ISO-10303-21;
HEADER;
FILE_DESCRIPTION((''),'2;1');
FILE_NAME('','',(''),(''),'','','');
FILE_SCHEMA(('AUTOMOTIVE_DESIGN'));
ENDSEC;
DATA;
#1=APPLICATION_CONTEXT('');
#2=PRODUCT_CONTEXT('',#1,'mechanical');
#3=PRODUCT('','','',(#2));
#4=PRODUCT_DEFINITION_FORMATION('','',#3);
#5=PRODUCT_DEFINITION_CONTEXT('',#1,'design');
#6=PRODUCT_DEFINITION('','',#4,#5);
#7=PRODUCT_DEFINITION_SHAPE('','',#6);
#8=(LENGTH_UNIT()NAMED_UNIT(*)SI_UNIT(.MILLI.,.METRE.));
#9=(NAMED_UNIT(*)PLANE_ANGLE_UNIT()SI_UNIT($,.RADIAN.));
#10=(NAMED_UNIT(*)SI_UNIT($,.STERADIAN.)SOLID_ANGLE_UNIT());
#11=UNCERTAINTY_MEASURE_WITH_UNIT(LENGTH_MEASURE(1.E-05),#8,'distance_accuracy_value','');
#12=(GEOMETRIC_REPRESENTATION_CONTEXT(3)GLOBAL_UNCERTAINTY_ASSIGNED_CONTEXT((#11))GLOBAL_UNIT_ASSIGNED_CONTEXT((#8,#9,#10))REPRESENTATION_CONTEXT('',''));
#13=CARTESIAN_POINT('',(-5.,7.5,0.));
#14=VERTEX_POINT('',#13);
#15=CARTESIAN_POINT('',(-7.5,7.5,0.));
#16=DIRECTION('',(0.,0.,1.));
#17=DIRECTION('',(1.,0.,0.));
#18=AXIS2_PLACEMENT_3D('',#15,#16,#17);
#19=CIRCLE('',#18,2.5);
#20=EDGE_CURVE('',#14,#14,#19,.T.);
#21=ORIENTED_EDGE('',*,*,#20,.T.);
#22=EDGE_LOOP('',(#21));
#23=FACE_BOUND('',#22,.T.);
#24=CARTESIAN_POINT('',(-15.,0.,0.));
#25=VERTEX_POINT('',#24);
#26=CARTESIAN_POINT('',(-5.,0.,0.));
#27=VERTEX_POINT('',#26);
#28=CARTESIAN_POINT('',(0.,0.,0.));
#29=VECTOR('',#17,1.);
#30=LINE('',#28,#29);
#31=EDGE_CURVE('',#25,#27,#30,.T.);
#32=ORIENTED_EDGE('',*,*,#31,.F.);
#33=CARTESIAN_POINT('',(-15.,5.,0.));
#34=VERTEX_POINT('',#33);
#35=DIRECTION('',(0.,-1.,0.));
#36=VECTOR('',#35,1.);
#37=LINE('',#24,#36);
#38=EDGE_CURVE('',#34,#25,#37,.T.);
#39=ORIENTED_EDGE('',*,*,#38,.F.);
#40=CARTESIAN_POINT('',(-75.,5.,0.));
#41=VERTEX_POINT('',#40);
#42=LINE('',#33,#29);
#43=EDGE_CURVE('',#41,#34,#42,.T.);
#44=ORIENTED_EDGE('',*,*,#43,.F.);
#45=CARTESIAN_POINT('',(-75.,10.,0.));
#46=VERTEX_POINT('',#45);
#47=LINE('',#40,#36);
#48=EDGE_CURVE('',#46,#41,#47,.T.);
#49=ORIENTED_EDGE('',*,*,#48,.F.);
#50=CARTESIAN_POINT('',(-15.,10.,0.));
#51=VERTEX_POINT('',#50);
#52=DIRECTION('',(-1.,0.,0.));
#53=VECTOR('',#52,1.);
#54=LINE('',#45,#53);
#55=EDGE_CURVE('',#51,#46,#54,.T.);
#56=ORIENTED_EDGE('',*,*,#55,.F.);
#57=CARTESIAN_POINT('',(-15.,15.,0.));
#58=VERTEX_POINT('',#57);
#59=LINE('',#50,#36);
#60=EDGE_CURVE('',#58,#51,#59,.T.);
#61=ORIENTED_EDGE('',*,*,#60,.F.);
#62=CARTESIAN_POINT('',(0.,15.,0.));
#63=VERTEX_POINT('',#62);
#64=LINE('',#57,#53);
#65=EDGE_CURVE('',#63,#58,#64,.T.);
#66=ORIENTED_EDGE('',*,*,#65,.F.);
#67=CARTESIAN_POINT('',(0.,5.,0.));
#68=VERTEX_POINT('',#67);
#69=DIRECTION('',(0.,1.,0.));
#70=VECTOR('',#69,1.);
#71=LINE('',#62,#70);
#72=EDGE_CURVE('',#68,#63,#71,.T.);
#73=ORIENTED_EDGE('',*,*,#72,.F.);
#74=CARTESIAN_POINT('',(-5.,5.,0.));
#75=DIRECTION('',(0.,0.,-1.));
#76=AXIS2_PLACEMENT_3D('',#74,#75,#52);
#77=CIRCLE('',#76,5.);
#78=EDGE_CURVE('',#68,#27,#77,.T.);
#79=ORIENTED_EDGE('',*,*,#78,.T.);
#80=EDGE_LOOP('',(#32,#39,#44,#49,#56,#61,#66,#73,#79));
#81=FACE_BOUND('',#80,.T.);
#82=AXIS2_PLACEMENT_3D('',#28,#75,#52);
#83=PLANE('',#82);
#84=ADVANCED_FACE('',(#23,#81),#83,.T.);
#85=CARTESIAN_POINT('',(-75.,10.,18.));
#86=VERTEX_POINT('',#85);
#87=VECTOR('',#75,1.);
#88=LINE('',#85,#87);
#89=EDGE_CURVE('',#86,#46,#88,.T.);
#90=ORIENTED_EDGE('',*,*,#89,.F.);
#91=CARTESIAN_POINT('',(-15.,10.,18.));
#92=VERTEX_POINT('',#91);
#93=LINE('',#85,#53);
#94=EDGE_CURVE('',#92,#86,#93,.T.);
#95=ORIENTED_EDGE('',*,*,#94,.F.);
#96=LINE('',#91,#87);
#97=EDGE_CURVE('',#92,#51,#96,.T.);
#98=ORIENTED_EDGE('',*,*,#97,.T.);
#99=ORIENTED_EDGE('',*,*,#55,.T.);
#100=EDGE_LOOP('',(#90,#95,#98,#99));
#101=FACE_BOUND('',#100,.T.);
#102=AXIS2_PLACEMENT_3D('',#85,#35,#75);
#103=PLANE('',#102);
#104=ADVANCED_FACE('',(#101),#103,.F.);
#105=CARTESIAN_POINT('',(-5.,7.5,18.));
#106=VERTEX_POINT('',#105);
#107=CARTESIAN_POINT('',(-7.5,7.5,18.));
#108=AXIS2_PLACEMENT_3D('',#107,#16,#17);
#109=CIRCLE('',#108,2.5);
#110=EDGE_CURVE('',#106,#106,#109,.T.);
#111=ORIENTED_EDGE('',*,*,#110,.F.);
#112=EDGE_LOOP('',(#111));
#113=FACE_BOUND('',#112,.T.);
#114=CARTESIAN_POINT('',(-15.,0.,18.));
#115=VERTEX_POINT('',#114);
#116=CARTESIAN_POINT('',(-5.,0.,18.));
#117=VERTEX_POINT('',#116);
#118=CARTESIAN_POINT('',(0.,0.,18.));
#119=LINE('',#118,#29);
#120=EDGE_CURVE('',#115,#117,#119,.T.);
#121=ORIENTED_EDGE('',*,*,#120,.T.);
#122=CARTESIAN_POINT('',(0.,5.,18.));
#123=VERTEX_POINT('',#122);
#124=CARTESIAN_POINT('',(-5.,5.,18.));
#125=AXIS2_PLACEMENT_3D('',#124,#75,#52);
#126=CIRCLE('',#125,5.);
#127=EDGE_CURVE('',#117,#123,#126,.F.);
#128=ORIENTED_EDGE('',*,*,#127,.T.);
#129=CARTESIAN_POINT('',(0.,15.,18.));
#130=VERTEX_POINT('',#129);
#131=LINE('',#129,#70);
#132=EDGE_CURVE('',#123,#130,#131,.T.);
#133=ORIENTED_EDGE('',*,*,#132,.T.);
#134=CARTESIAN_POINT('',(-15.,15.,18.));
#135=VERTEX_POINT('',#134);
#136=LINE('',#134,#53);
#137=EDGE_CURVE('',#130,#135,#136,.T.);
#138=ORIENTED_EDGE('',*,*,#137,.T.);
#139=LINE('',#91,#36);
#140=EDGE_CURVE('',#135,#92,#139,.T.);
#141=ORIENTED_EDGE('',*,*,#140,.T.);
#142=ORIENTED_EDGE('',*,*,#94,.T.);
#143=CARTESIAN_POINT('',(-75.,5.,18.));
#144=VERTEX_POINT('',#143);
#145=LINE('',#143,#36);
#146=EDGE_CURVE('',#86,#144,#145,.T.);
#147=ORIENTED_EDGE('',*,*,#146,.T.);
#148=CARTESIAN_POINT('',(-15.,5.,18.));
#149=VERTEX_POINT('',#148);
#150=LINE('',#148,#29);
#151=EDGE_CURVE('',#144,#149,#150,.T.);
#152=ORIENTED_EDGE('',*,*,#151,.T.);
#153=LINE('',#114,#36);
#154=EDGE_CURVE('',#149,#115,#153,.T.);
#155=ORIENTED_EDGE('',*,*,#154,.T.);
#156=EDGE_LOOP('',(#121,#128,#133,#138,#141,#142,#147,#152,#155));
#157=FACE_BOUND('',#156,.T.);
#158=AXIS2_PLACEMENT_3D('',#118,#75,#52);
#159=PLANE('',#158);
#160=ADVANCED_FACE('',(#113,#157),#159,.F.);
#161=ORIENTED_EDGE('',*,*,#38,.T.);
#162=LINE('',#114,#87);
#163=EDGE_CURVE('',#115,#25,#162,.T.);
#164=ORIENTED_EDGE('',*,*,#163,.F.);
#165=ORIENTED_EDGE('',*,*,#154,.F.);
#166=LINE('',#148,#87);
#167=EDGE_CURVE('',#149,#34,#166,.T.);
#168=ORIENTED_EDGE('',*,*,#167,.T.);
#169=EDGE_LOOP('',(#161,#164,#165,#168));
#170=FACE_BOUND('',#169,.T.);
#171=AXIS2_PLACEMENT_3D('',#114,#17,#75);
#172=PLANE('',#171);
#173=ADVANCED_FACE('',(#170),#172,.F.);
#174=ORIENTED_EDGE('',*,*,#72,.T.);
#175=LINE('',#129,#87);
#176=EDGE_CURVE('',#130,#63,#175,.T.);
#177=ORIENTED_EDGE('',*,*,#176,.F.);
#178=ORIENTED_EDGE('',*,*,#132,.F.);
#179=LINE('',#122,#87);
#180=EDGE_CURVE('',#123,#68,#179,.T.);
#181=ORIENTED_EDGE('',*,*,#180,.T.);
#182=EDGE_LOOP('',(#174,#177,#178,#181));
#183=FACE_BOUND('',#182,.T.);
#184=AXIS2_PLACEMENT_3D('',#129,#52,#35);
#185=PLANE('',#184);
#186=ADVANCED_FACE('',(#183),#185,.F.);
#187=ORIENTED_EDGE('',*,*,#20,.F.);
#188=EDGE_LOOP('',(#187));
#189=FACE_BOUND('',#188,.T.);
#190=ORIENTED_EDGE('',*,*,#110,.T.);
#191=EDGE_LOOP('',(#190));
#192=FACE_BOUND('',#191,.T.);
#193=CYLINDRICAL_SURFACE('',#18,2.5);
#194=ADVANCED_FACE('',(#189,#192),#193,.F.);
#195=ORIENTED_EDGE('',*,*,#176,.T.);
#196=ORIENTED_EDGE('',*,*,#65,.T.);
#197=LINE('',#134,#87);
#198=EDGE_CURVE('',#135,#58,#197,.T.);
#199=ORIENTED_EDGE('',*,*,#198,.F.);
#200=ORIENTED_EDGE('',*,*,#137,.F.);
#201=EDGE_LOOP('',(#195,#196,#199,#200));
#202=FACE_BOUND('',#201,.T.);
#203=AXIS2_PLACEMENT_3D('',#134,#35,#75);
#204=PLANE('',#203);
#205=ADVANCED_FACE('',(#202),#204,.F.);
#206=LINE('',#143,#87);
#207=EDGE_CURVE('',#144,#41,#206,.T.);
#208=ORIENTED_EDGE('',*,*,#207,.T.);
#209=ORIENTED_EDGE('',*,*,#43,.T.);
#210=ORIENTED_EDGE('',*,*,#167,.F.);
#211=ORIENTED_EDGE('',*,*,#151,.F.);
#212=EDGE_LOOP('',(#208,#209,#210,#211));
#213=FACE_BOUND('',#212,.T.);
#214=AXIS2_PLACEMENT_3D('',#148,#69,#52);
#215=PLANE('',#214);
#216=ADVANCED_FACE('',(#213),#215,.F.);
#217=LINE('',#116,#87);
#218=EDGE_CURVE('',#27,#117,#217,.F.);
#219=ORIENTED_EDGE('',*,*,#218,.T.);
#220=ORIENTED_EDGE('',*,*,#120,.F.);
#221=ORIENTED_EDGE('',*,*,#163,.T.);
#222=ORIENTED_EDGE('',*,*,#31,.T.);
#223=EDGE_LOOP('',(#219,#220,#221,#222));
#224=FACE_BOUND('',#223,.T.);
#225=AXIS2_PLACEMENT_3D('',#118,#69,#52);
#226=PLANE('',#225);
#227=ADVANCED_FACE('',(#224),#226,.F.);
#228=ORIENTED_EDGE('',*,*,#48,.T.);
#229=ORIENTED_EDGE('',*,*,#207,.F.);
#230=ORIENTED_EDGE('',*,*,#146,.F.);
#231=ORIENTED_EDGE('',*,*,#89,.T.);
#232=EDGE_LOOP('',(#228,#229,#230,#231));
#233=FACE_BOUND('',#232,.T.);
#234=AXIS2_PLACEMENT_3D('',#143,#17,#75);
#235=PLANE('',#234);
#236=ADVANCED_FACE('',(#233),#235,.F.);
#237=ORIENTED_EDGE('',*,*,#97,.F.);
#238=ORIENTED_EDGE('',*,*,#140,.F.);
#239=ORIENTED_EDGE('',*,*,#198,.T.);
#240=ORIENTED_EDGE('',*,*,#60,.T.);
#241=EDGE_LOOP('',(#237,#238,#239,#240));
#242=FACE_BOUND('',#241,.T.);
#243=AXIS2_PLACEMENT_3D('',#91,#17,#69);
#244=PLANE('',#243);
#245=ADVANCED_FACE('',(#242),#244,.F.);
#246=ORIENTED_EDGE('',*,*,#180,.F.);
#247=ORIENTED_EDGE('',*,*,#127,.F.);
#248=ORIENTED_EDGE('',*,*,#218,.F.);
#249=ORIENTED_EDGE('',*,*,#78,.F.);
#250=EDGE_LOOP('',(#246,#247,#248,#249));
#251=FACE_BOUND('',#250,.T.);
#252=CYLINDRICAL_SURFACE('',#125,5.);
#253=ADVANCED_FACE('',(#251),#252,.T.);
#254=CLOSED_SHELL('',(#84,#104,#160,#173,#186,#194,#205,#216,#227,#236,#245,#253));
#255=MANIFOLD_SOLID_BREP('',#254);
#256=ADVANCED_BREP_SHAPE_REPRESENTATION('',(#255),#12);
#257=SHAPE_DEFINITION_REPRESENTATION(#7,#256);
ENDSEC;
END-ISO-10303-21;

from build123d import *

# Parameters (mm, degrees)
AUFSATZ_LINEAR_AUSTRAGEN1_DEPTH = 18
SKIZZE2_R                       = 2.5
SCHNITT_LINEAR_AUSTRAGEN1_DEPTH = 19
VERRUNDUNG1_R                   = 5


with BuildPart() as part:
    # Skizze1 → Aufsatz-Linear austragen1 (new body)
    with BuildSketch(Plane.XY):
        Polygon((0, 0), (-15, 0), (-15, 5), (-75, 5), (-75, 10), (-15, 10), (-15, 15), (0, 15), align=None)
    extrude(amount=AUFSATZ_LINEAR_AUSTRAGEN1_DEPTH)

    # Skizze2 → Schnitt-Linear austragen1 (cut, through all)
    with BuildSketch(Plane.XY.offset(18)):
        with Locations((-7.5, 7.5)):
            Circle(SKIZZE2_R)
    extrude(amount=-SCHNITT_LINEAR_AUSTRAGEN1_DEPTH, mode=Mode.SUBTRACT)

    # Verrundung1
    verrundung1_edges = [part.edges().sort_by_distance(p)[0] for p in [
        (0, 0, 9),
    ]]
    fillet(verrundung1_edges, radius=VERRUNDUNG1_R)


solid = part.part
